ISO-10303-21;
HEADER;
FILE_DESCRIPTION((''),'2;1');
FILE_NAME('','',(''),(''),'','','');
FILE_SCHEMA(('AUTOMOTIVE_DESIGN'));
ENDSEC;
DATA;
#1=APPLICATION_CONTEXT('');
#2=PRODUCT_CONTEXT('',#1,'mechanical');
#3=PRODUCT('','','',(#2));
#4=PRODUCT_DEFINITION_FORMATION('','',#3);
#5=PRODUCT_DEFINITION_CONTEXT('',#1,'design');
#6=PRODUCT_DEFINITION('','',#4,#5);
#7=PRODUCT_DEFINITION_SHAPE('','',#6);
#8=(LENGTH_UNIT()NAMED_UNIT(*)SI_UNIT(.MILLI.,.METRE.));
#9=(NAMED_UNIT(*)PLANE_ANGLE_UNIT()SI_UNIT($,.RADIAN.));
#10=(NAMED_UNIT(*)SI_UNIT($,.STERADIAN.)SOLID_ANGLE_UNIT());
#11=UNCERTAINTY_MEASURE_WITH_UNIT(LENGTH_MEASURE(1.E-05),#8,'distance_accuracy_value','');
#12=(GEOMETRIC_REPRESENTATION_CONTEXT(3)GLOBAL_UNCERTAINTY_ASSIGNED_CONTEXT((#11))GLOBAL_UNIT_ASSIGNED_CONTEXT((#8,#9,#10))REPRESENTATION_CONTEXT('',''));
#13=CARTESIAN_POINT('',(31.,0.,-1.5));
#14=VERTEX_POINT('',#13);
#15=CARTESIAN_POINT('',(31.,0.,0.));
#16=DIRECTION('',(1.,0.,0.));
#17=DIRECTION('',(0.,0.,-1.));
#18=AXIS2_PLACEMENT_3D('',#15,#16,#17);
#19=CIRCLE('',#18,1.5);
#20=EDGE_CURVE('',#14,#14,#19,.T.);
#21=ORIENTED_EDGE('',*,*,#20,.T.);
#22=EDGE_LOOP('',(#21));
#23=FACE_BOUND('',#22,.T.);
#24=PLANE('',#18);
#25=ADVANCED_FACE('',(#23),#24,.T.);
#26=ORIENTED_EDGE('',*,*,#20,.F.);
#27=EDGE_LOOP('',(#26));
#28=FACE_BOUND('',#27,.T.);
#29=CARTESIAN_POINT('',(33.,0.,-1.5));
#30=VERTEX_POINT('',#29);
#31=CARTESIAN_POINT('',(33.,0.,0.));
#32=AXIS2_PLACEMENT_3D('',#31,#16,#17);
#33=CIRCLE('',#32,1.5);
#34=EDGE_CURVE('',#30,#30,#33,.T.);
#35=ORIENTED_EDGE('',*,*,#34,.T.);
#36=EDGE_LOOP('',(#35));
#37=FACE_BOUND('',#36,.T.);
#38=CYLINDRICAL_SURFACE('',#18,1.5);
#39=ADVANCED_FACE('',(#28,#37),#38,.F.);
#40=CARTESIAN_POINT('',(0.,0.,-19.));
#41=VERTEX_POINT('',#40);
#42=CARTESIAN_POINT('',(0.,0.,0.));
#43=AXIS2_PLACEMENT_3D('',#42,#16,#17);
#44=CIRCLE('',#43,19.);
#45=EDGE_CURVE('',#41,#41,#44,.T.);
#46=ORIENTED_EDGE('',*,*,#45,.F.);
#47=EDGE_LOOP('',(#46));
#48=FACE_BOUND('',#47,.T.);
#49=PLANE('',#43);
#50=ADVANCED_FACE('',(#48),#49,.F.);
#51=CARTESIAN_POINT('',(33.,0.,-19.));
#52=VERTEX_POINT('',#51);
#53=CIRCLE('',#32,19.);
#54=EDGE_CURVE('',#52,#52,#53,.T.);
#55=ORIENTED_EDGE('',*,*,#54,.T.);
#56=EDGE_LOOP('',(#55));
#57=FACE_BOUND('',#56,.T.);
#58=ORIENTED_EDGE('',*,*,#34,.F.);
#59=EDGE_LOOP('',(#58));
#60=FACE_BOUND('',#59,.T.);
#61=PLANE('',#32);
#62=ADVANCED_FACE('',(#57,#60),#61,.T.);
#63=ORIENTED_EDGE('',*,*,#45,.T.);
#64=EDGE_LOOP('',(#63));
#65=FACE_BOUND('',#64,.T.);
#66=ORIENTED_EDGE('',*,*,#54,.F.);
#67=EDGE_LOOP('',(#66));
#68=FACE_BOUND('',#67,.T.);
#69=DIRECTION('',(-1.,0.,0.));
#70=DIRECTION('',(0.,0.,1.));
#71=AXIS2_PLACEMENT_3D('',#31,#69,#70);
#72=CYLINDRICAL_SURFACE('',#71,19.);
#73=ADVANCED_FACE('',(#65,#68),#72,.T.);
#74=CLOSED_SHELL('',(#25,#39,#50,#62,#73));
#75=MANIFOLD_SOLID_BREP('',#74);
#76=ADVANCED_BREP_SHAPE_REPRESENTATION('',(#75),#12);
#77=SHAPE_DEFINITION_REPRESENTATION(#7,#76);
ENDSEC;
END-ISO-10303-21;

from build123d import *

# Parameters (mm, degrees)
SKETCH1_R           = 19
BOSS_EXTRUDE1_DEPTH = 33
SKETCH2_R           = 1.5
CUT_EXTRUDE1_DEPTH  = 2


with BuildPart() as part:
    # Sketch1 → Boss-Extrude1 (new body)
    with BuildSketch(Plane(origin=(0, 0, 0), x_dir=(0, 0, -1), z_dir=(1, 0, 0))):
        Circle(SKETCH1_R)
    extrude(amount=BOSS_EXTRUDE1_DEPTH)

    # Sketch2 → Cut-Extrude1 (cut)
    with BuildSketch(Plane(origin=(33, 0, 0), x_dir=(0, 0, -1), z_dir=(1, 0, 0))):
        Circle(SKETCH2_R)
    extrude(amount=-CUT_EXTRUDE1_DEPTH, mode=Mode.SUBTRACT)


solid = part.part
